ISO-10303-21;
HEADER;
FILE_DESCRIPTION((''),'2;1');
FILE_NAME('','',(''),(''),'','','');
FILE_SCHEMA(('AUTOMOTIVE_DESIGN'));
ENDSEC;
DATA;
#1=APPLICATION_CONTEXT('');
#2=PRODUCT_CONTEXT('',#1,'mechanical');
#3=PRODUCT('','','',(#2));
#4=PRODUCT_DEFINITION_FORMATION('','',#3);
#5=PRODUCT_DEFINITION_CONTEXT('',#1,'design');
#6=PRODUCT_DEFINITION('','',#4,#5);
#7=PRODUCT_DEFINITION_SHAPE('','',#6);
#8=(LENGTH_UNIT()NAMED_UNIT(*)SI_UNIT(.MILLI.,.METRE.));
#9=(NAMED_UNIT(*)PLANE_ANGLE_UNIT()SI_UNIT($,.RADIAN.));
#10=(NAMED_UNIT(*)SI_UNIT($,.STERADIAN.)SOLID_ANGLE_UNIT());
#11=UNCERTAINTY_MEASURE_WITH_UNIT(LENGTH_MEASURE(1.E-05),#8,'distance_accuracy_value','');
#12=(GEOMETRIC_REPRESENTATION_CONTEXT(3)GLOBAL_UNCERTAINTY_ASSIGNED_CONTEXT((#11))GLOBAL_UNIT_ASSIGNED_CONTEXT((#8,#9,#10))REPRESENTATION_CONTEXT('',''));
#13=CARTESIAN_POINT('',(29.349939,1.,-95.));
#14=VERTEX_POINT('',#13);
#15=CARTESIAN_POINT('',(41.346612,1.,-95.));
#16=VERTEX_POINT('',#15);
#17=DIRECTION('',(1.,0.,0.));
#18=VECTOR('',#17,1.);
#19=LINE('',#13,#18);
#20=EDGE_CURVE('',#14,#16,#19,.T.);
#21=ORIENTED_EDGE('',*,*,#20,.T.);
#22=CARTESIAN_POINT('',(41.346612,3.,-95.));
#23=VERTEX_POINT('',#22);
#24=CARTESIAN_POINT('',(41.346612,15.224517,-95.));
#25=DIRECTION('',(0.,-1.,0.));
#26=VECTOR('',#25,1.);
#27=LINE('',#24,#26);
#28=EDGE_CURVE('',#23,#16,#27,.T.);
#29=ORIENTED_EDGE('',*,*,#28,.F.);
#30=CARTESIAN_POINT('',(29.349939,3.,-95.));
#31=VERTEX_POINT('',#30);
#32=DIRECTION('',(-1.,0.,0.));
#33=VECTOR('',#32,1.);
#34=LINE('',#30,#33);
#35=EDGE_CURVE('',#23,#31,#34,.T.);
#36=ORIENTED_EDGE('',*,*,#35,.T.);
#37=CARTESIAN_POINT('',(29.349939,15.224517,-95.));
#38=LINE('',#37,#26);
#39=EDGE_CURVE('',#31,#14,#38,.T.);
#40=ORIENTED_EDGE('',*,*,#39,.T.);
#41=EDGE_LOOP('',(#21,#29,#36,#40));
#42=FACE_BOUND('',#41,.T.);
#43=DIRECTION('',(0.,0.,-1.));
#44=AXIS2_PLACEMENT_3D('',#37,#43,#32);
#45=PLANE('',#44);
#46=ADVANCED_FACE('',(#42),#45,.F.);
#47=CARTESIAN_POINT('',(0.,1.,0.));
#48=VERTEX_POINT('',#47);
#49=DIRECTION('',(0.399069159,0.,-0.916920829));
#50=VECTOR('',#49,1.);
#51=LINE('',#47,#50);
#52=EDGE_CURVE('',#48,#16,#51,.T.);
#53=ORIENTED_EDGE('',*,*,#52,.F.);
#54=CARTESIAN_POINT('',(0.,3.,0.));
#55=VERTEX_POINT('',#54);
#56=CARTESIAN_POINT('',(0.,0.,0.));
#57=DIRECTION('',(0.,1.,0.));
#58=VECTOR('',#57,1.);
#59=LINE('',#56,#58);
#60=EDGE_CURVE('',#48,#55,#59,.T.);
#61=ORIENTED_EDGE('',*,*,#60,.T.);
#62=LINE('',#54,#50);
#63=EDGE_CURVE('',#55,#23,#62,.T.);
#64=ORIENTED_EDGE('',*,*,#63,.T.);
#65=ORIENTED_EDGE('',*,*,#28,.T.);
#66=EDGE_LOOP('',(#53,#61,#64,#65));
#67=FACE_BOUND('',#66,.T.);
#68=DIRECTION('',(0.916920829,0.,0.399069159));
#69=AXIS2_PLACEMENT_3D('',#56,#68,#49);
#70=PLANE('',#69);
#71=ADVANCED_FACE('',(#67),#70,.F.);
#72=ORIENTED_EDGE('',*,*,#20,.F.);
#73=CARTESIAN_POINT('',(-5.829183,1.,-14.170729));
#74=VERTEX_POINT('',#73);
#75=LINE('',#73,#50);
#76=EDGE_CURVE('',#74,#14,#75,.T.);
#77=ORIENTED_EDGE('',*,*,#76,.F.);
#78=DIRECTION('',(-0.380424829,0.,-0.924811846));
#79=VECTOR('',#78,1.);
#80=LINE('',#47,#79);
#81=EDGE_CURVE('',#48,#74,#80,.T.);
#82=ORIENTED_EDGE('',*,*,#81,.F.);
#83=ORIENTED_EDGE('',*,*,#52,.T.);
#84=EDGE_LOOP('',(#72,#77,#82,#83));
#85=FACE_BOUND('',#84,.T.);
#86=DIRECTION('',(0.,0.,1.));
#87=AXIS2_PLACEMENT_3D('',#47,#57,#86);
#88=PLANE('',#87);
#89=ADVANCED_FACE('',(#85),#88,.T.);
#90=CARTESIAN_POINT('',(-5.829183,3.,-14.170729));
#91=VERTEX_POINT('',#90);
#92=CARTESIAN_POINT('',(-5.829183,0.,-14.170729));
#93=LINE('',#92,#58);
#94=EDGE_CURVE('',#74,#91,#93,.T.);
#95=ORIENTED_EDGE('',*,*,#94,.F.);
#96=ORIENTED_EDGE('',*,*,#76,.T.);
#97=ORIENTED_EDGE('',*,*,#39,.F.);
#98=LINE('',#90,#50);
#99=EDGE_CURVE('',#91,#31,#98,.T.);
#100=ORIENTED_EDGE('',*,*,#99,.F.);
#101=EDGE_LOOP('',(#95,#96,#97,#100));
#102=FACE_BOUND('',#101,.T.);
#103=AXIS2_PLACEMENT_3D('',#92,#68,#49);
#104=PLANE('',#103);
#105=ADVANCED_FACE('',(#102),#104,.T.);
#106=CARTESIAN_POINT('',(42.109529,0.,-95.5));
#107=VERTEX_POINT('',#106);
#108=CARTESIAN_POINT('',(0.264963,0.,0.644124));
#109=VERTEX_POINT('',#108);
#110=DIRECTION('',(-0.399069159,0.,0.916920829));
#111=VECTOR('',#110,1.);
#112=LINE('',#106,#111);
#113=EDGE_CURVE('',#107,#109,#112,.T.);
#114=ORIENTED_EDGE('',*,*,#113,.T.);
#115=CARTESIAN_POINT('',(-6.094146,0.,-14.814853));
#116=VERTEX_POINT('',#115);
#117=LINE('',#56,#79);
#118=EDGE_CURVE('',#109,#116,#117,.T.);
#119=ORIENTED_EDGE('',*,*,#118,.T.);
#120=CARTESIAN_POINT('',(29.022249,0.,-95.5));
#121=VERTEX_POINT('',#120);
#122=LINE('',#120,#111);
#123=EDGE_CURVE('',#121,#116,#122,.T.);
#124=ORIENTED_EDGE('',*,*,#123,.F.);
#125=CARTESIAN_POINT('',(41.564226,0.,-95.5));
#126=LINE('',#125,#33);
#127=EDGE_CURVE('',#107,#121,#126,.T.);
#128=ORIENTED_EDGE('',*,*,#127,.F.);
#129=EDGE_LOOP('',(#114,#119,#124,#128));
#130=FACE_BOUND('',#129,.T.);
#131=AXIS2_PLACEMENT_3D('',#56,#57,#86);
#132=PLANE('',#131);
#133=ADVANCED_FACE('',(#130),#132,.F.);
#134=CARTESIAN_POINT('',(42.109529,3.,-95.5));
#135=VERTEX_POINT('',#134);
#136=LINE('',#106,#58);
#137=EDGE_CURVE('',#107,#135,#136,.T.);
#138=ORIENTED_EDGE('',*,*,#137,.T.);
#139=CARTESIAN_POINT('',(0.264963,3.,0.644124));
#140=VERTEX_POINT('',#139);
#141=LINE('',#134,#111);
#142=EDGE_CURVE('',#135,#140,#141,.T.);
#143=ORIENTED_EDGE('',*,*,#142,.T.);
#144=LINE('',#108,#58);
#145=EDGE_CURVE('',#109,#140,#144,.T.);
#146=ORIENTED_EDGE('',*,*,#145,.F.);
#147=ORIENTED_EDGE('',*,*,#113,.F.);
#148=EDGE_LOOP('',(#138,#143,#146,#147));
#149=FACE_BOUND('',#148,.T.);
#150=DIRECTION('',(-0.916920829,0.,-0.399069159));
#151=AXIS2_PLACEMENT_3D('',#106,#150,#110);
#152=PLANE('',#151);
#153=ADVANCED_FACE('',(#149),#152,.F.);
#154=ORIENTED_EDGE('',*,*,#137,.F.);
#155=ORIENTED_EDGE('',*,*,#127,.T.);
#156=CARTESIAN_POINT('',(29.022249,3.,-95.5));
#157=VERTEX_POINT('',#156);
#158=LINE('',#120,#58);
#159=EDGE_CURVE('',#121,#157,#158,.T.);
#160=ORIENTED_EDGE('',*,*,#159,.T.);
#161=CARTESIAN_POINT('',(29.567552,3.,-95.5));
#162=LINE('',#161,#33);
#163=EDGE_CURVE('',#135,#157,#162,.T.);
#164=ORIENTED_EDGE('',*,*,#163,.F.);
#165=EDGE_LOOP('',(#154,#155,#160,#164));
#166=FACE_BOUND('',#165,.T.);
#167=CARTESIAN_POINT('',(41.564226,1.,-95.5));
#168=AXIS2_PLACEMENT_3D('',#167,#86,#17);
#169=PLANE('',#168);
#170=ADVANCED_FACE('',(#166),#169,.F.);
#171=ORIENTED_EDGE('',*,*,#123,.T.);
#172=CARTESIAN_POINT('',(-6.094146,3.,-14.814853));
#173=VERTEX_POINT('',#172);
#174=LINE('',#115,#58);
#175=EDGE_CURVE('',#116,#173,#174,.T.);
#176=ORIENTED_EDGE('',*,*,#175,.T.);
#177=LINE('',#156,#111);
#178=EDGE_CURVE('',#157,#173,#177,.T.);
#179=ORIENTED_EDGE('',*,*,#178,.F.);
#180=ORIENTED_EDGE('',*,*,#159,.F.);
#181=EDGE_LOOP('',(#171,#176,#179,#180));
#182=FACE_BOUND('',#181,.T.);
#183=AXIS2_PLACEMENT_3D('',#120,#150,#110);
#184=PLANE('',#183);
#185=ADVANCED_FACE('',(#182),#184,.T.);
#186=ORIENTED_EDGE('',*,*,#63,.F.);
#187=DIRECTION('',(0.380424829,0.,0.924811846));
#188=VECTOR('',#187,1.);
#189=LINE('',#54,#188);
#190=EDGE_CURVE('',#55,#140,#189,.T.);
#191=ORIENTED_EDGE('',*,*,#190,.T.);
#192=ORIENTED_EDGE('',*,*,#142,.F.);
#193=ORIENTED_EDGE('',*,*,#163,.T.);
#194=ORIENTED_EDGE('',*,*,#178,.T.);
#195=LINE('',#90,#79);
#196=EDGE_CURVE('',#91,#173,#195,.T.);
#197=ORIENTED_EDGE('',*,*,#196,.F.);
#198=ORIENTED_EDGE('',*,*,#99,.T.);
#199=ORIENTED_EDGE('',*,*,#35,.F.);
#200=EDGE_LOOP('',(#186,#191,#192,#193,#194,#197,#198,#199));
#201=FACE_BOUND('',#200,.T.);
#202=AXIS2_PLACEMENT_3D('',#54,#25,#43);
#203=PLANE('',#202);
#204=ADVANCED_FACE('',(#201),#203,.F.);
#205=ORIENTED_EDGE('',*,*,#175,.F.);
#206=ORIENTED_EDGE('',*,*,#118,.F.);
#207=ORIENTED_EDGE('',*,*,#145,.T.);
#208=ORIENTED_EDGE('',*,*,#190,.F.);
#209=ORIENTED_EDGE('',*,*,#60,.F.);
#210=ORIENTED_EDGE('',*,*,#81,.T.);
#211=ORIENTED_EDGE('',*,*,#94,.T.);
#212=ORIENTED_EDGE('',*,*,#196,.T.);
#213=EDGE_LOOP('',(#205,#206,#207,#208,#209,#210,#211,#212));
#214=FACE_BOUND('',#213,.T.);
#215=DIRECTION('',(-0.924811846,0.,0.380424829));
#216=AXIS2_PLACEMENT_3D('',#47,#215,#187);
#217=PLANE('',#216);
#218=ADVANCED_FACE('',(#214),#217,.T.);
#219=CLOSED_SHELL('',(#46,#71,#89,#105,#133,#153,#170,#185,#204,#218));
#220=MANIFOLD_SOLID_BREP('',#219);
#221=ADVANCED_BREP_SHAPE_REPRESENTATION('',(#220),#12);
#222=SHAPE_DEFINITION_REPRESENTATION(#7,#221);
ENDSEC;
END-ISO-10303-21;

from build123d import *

# Parameters (mm, degrees)
EXTRUDE_1_DEPTH      = 1
EXTRUDE_2_DEPTH      = 2
EXTRUDE_2_DEPTH_BACK = 1
EXTRUDE_4_DEPTH      = 2
EXTRUDE_4_DEPTH_BACK = 1
EXTRUDE_5_DEPTH      = 2


with BuildPart() as part:
    # 草圖1 → 填料-伸長1 (new body)
    with BuildSketch(Plane(origin=(0, 0, 0), x_dir=(1, 0, 0), z_dir=(0, 1, 0))):
        Polygon((0, 0), (-5.8291827, 14.170729157), (29.567552432, 95.5), (41.564226141, 95.5), align=None)
    extrude(amount=EXTRUDE_1_DEPTH)



with BuildPart() as body_2:
    # 草圖2 → 填料-伸長2 (new, two sides: drawn at the far end of the back side and taken through both)
    with BuildSketch(Plane(origin=(0, 1, 0), x_dir=(1, 0, 0), z_dir=(0, 1, 0)).offset(-EXTRUDE_2_DEPTH_BACK)):
        Polygon((0, 0), (41.564226141, 95.5), (42.109529491, 95.5), (0.26496285, -0.644124053), align=None)
    extrude(amount=EXTRUDE_2_DEPTH + EXTRUDE_2_DEPTH_BACK)


with BuildPart() as part_1:
    add(part.part)

    add(body_2.part)  # 填料-伸長4 merges body 2
    # 草圖2<4> → 填料-伸長4 (add, two sides: drawn at the far end of the back side and taken through both)
    with BuildSketch(Plane(origin=(0, 1, 0), x_dir=(1, 0, 0), z_dir=(0, 1, 0)).offset(-EXTRUDE_4_DEPTH_BACK)):
        Polygon((-5.8291827, 14.170729157), (29.567552432, 95.5), (29.022249082, 95.5), (-6.09414555, 14.81485321), align=None)
    extrude(amount=EXTRUDE_4_DEPTH + EXTRUDE_4_DEPTH_BACK)

    # 草圖7 → 填料-伸長5 (add)
    with BuildSketch(Plane(origin=(0, 1, 0), x_dir=(1, 0, 0), z_dir=(0, 1, 0))):
        Polygon((41.564226141, 95.5), (29.567552432, 95.5), (29.349938683, 95), (41.346612391, 95), align=None)
    extrude(amount=EXTRUDE_5_DEPTH)


solid = part_1.part
